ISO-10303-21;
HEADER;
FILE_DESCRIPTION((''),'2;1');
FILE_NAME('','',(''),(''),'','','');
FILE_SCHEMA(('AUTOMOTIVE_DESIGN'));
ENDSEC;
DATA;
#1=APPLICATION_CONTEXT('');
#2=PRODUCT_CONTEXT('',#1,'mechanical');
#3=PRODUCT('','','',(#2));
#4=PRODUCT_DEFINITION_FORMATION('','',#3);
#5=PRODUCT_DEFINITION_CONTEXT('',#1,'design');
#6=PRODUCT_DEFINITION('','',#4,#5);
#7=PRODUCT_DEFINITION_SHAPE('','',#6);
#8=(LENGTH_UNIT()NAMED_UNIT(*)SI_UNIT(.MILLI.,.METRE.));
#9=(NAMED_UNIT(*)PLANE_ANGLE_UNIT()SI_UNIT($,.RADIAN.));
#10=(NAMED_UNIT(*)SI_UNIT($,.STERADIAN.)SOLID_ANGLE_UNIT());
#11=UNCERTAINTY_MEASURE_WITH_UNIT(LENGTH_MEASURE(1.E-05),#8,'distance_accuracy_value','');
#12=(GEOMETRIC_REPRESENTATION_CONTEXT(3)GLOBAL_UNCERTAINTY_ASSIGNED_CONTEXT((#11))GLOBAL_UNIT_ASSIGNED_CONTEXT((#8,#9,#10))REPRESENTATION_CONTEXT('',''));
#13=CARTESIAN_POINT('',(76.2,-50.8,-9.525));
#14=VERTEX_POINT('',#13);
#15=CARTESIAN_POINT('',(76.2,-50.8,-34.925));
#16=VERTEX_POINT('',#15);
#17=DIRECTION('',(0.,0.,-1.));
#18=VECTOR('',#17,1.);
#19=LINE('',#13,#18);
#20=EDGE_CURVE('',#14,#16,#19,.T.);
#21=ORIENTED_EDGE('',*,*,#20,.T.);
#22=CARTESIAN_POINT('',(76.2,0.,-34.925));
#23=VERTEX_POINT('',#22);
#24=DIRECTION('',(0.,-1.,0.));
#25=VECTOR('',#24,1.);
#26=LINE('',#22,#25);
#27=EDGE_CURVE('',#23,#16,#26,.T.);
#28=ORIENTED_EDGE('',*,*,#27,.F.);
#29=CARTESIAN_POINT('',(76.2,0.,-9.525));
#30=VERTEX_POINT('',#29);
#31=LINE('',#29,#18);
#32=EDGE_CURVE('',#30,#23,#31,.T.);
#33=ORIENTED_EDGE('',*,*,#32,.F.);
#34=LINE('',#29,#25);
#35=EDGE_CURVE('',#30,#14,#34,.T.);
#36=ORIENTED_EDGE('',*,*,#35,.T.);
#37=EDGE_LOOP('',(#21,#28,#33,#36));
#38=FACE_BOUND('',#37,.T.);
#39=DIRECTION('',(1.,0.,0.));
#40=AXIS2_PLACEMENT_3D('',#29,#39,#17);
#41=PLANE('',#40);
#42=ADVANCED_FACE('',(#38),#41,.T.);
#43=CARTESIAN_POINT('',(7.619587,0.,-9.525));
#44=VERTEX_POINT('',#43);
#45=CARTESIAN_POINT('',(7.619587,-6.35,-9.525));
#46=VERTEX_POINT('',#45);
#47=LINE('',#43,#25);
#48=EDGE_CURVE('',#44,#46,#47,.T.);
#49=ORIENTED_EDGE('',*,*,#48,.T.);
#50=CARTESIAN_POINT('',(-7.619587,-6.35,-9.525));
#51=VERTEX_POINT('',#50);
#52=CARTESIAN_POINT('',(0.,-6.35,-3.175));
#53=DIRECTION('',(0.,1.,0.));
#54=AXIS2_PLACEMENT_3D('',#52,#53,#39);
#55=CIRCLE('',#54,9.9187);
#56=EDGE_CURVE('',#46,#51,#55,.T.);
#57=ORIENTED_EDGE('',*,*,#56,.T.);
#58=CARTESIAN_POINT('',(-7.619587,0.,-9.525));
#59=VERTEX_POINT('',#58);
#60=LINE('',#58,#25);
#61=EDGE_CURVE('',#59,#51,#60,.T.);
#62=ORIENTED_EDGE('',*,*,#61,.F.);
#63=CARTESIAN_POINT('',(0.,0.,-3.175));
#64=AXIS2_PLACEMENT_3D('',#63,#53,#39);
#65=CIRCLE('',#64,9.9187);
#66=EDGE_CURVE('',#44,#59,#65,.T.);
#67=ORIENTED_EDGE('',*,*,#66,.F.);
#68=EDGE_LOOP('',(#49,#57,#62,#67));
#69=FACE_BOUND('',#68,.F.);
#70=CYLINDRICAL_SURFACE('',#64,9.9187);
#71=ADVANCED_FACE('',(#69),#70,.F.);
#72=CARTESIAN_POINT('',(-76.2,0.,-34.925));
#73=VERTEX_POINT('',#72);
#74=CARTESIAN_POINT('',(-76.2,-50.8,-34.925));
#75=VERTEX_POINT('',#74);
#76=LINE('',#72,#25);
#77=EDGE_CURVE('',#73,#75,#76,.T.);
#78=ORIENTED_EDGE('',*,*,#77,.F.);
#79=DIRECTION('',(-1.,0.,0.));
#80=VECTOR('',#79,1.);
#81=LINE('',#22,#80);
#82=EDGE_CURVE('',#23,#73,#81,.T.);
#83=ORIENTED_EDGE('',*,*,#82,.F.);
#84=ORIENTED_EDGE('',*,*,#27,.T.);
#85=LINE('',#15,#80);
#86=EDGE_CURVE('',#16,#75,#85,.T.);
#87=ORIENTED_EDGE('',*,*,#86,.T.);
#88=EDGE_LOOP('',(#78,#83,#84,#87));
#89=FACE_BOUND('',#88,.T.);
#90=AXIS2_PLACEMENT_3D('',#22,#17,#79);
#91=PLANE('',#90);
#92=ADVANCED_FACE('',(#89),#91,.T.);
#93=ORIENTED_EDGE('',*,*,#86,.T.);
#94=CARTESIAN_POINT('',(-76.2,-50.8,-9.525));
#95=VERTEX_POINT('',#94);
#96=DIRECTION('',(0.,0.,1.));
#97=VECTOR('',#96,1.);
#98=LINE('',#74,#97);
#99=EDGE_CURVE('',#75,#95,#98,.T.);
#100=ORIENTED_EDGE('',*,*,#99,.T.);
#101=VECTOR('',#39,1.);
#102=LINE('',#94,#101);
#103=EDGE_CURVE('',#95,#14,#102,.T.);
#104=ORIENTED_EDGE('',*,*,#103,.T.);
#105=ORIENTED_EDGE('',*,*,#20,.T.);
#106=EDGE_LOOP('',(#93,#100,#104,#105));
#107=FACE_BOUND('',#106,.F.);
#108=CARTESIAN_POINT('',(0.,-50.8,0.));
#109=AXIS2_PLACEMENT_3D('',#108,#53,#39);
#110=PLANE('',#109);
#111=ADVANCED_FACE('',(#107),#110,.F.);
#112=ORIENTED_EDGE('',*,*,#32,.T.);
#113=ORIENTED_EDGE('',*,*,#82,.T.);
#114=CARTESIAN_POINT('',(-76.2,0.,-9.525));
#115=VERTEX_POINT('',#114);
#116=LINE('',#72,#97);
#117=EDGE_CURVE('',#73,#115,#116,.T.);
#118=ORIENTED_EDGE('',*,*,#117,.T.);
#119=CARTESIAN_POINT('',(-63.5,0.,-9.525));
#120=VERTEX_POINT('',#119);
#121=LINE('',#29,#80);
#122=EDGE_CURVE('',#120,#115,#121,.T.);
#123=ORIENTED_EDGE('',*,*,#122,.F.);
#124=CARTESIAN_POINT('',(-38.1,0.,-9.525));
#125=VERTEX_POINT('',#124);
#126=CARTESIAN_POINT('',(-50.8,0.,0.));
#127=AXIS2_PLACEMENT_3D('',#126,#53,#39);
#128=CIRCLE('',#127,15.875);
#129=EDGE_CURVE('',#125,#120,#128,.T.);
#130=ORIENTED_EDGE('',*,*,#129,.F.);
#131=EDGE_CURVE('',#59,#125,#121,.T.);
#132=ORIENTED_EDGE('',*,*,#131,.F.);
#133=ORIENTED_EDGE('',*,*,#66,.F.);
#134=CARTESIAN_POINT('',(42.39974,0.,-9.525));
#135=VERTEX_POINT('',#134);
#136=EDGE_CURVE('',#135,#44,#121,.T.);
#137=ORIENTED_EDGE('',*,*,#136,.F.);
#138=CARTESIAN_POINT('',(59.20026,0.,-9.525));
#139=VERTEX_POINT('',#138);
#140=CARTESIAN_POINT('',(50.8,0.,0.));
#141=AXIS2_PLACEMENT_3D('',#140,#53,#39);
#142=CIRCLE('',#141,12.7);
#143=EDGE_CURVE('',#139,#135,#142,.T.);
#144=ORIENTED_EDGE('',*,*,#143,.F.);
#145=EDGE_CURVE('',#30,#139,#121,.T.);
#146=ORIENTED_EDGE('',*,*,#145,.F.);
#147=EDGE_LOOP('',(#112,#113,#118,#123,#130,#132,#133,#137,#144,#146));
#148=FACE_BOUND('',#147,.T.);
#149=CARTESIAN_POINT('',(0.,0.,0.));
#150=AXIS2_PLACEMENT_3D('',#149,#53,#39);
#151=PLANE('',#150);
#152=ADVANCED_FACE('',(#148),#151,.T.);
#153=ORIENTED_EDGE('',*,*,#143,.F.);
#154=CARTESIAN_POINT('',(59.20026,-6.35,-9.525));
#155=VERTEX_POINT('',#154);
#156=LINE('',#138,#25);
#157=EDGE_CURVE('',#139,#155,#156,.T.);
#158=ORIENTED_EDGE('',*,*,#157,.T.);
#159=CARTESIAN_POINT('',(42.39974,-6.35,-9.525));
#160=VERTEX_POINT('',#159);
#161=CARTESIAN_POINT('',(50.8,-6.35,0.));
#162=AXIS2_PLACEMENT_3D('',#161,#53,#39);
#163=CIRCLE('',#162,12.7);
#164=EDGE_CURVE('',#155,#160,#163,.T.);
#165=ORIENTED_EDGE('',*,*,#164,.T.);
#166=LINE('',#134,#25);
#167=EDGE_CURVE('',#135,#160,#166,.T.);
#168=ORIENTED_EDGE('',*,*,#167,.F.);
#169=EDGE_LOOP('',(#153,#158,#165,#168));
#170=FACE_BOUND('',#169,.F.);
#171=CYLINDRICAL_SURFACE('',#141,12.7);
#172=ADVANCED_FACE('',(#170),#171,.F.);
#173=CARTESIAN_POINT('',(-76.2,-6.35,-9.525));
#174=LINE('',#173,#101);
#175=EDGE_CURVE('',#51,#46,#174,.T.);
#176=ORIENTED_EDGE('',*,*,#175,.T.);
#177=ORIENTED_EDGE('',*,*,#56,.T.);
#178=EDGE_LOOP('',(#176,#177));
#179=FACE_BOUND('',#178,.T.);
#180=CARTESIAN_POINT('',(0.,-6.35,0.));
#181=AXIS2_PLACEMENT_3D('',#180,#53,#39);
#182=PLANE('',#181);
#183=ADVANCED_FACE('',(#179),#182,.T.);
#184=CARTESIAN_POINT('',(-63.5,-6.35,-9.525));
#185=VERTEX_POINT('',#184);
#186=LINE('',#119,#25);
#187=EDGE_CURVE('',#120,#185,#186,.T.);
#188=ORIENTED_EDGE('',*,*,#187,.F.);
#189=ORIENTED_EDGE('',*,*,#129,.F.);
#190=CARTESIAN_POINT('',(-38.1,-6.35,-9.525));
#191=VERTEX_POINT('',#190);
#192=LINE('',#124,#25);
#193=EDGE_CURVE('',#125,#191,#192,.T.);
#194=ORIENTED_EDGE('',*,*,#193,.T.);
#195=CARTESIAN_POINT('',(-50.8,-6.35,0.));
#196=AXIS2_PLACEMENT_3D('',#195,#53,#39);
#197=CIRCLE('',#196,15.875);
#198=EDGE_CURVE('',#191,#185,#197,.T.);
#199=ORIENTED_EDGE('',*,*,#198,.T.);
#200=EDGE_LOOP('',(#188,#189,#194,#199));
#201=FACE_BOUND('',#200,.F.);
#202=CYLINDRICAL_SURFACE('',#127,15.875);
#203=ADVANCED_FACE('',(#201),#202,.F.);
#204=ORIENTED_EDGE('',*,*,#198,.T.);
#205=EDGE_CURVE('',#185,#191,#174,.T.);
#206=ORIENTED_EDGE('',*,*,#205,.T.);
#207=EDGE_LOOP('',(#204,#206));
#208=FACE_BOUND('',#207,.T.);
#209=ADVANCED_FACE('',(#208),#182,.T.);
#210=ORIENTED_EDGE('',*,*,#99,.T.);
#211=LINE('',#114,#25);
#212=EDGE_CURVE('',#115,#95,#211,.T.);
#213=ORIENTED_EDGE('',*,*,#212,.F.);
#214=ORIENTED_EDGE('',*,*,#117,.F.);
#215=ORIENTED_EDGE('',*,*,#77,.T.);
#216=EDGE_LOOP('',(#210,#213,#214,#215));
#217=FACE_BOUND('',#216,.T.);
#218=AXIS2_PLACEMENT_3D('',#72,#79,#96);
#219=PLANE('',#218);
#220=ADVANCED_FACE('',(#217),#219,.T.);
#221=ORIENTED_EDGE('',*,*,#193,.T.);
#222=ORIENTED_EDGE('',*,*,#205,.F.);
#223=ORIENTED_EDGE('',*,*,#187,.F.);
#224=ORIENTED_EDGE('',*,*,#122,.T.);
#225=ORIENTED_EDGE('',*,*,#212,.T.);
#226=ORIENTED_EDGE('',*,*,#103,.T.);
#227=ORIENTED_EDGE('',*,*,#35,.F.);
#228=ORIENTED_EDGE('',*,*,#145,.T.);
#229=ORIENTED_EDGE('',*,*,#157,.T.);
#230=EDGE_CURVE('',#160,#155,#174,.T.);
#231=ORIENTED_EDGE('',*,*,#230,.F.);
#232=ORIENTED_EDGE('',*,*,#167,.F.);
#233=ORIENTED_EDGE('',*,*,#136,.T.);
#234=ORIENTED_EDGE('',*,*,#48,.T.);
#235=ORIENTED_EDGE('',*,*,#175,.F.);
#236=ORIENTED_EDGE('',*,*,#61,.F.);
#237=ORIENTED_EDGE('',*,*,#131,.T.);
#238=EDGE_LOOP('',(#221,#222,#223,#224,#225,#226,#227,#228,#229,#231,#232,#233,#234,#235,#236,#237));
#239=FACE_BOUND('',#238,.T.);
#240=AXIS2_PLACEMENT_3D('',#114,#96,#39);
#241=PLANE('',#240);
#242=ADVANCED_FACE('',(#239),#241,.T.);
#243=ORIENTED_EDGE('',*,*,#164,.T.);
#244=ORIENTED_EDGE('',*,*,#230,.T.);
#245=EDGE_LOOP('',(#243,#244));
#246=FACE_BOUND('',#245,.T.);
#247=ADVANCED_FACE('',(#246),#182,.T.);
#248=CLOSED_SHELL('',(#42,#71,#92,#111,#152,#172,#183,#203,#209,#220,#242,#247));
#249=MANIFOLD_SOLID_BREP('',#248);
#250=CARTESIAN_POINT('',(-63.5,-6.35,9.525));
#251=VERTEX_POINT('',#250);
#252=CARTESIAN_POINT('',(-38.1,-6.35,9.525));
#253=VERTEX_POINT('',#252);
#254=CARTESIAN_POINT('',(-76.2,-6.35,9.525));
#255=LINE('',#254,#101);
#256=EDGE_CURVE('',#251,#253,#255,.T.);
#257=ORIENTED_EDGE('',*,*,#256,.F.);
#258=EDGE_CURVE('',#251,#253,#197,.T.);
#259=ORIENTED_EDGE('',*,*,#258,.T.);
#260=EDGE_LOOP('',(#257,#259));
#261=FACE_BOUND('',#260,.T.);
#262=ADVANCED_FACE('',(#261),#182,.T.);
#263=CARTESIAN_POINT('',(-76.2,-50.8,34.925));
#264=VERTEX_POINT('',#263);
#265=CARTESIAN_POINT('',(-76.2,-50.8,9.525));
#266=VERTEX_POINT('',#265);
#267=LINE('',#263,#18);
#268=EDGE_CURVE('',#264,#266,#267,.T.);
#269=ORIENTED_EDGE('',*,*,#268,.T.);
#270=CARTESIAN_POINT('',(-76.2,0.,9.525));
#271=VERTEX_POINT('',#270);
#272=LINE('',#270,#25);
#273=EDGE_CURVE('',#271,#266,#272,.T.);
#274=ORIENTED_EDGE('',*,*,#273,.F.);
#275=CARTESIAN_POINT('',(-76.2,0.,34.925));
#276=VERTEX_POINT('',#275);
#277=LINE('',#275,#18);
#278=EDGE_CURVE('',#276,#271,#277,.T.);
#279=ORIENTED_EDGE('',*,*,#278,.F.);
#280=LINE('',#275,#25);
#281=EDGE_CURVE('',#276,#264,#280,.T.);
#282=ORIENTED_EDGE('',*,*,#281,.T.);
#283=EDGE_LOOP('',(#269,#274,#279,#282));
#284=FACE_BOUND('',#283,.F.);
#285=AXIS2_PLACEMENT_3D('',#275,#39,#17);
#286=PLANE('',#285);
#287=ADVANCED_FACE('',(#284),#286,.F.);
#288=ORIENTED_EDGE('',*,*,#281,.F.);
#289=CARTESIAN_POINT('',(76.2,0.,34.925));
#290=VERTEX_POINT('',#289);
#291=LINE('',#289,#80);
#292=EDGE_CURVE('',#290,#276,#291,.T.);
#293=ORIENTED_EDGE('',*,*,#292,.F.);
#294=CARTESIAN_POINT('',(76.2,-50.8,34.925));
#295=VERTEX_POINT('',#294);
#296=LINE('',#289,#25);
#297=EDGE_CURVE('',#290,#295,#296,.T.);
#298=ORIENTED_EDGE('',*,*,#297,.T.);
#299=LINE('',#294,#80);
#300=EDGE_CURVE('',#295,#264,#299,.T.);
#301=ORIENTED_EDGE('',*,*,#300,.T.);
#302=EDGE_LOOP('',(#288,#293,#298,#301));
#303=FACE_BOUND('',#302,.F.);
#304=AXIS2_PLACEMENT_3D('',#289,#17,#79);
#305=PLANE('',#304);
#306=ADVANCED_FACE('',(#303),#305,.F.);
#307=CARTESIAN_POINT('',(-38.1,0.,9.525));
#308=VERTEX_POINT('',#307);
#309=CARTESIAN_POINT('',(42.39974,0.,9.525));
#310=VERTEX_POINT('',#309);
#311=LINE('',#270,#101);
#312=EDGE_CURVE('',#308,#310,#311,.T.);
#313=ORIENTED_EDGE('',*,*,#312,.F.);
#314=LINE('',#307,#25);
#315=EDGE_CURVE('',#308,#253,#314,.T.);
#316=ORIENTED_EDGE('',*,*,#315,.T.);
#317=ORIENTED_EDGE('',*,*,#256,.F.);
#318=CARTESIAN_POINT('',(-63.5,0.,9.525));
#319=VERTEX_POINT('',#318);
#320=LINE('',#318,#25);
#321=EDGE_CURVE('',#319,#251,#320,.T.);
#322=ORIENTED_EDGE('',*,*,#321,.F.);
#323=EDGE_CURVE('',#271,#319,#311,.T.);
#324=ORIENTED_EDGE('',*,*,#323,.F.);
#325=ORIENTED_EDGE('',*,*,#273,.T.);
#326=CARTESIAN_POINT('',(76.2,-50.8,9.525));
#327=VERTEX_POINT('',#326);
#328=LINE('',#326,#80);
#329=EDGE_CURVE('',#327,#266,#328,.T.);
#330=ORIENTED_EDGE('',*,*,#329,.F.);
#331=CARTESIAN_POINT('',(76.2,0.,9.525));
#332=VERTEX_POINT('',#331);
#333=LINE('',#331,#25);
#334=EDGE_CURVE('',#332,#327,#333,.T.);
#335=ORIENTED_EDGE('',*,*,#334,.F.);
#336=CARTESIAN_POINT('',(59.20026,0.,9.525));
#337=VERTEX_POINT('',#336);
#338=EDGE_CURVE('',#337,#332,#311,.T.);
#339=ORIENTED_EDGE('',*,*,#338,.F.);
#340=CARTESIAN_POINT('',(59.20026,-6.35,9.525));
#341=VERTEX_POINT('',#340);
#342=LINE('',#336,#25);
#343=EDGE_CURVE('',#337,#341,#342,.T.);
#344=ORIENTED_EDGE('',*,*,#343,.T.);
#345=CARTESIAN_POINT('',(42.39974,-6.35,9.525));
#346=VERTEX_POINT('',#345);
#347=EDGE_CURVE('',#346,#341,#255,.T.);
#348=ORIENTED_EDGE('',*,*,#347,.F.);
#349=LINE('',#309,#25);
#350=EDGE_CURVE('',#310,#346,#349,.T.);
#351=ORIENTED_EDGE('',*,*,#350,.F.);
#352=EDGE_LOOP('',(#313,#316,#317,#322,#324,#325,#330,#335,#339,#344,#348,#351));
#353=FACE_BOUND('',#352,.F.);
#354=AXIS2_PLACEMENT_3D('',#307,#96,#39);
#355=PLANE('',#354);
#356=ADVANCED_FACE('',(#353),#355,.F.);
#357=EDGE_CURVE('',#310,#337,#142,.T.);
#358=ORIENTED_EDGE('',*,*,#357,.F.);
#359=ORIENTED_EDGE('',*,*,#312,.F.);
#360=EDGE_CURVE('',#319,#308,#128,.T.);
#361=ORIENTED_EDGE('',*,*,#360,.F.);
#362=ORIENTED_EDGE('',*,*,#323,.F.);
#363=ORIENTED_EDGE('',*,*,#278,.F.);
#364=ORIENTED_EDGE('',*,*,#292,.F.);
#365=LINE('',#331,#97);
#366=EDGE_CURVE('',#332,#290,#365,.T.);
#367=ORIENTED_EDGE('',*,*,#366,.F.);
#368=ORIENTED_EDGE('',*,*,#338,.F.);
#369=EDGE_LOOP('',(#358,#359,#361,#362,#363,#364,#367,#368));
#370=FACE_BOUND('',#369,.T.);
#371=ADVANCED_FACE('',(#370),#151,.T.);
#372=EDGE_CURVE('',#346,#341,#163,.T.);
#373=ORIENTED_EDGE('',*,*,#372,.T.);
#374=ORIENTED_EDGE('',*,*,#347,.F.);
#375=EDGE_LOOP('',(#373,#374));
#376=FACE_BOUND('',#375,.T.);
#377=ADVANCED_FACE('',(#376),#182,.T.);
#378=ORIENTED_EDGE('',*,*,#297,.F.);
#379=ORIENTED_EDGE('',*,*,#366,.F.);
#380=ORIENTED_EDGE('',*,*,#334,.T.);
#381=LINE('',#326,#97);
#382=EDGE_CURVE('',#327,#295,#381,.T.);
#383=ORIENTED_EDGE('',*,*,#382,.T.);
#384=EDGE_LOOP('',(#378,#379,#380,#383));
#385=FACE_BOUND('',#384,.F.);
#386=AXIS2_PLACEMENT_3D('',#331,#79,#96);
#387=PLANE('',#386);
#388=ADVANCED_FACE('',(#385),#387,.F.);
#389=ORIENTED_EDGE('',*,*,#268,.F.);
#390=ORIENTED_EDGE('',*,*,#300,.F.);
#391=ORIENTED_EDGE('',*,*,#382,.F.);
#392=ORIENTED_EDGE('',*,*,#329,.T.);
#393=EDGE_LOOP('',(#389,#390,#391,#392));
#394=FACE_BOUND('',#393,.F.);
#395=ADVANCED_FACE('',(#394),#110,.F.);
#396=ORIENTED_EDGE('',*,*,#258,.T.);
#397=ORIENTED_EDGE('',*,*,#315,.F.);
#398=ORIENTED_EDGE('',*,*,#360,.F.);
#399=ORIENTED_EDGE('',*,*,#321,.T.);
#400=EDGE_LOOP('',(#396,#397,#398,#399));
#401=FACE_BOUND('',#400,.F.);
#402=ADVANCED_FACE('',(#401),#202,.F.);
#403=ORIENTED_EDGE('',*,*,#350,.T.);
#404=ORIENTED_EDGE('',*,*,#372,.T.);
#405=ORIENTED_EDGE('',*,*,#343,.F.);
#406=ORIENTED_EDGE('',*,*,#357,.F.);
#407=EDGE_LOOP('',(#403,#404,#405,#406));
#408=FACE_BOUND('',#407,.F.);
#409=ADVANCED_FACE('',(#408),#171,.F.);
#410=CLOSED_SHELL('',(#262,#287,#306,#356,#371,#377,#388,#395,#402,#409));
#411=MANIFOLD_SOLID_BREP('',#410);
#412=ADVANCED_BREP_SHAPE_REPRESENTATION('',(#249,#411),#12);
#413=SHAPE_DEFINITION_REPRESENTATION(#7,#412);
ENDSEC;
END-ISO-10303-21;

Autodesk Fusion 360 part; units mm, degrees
sketch "Sketch1" plane through (0, 0, 0) normal (0, 1, 0) x (1, 0, 0) in component "Component"
  line L0 (76.2, -9.525) -> (-76.2, -9.525) construction
  line L1 (-76.2, -9.525) -> (-76.2, 9.525) construction
  line L2 (-76.2, 9.525) -> (76.2, 9.525) construction
  line L3 (76.2, 9.525) -> (76.2, -9.525) construction
  line L4 (76.2, -9.525) -> (-76.2, 9.525) construction
  line L5 (-76.2, -9.525) -> (76.2, 9.525) construction
  line L6 (-76.2, 9.525) -> (76.2, 9.525)
  line L7 (76.2, 9.525) -> (76.2, 34.925)
  line L8 (76.2, 34.925) -> (-76.2, 34.925)
  line L9 (-76.2, 34.925) -> (-76.2, 9.525)
  line L10 (-76.2, -9.525) -> (76.2, -9.525)
  line L11 (76.2, -9.525) -> (76.2, -34.925)
  line L12 (76.2, -34.925) -> (-76.2, -34.925)
  line L13 (-76.2, -34.925) -> (-76.2, -9.525)
  circle A0 centre (-50.8, 0) radius 15.875
  line L14 (0, 0) -> (-50.8, 0) construction
  line L15 (0, 0) -> (50.8, 0) construction
  circle A1 centre (50.8, 0) radius 12.7
  circle A2 centre (0, 3.175) radius 9.9187
  dimension "d1" = 152.4
  dimension "d2" = 19.05
  dimension "d3" = 152.4
  dimension "d4" = 25.4
  dimension "d5" = 152.4
  dimension "d6" = 25.4
  dimension "d7" = 31.75
  dimension "d8" = 50.8
  dimension "d9" = 50.8
  dimension "d10" = 25.4
  dimension "d15" = 19.8374
  dimension "d16" = 3.175
  dimension "d17" = 76.2
extrude "Extrude1" add sketch "Sketch1" against normal blind 50.8 contours L6 L7 L8 L9 A0 A1 A2 | L6 A0 | L10 L11 L12 L13 A0 A1 | L10 A0 | L6 A2 | L10 A1 | L6 A1 picked at (0.481, 11.3734) makes body 1 at (-25.4, -16.9333, 9.525) makes body 2 at (-25.4, -16.9333, -9.525) in component "Component"
extrude "Extrude2" cut sketch "Sketch1" against normal blind 6.35 contours L6 A0 | L10 A0 | L6 A2 | L10 A1 | L6 A1 picked at (0.481, 11.3734) bodies 1 2 in component "Component"
component "Component" placed x (1, 0, 0) y (0, 1, 0) z (0, 0, 1) at (0, 0, 0)
